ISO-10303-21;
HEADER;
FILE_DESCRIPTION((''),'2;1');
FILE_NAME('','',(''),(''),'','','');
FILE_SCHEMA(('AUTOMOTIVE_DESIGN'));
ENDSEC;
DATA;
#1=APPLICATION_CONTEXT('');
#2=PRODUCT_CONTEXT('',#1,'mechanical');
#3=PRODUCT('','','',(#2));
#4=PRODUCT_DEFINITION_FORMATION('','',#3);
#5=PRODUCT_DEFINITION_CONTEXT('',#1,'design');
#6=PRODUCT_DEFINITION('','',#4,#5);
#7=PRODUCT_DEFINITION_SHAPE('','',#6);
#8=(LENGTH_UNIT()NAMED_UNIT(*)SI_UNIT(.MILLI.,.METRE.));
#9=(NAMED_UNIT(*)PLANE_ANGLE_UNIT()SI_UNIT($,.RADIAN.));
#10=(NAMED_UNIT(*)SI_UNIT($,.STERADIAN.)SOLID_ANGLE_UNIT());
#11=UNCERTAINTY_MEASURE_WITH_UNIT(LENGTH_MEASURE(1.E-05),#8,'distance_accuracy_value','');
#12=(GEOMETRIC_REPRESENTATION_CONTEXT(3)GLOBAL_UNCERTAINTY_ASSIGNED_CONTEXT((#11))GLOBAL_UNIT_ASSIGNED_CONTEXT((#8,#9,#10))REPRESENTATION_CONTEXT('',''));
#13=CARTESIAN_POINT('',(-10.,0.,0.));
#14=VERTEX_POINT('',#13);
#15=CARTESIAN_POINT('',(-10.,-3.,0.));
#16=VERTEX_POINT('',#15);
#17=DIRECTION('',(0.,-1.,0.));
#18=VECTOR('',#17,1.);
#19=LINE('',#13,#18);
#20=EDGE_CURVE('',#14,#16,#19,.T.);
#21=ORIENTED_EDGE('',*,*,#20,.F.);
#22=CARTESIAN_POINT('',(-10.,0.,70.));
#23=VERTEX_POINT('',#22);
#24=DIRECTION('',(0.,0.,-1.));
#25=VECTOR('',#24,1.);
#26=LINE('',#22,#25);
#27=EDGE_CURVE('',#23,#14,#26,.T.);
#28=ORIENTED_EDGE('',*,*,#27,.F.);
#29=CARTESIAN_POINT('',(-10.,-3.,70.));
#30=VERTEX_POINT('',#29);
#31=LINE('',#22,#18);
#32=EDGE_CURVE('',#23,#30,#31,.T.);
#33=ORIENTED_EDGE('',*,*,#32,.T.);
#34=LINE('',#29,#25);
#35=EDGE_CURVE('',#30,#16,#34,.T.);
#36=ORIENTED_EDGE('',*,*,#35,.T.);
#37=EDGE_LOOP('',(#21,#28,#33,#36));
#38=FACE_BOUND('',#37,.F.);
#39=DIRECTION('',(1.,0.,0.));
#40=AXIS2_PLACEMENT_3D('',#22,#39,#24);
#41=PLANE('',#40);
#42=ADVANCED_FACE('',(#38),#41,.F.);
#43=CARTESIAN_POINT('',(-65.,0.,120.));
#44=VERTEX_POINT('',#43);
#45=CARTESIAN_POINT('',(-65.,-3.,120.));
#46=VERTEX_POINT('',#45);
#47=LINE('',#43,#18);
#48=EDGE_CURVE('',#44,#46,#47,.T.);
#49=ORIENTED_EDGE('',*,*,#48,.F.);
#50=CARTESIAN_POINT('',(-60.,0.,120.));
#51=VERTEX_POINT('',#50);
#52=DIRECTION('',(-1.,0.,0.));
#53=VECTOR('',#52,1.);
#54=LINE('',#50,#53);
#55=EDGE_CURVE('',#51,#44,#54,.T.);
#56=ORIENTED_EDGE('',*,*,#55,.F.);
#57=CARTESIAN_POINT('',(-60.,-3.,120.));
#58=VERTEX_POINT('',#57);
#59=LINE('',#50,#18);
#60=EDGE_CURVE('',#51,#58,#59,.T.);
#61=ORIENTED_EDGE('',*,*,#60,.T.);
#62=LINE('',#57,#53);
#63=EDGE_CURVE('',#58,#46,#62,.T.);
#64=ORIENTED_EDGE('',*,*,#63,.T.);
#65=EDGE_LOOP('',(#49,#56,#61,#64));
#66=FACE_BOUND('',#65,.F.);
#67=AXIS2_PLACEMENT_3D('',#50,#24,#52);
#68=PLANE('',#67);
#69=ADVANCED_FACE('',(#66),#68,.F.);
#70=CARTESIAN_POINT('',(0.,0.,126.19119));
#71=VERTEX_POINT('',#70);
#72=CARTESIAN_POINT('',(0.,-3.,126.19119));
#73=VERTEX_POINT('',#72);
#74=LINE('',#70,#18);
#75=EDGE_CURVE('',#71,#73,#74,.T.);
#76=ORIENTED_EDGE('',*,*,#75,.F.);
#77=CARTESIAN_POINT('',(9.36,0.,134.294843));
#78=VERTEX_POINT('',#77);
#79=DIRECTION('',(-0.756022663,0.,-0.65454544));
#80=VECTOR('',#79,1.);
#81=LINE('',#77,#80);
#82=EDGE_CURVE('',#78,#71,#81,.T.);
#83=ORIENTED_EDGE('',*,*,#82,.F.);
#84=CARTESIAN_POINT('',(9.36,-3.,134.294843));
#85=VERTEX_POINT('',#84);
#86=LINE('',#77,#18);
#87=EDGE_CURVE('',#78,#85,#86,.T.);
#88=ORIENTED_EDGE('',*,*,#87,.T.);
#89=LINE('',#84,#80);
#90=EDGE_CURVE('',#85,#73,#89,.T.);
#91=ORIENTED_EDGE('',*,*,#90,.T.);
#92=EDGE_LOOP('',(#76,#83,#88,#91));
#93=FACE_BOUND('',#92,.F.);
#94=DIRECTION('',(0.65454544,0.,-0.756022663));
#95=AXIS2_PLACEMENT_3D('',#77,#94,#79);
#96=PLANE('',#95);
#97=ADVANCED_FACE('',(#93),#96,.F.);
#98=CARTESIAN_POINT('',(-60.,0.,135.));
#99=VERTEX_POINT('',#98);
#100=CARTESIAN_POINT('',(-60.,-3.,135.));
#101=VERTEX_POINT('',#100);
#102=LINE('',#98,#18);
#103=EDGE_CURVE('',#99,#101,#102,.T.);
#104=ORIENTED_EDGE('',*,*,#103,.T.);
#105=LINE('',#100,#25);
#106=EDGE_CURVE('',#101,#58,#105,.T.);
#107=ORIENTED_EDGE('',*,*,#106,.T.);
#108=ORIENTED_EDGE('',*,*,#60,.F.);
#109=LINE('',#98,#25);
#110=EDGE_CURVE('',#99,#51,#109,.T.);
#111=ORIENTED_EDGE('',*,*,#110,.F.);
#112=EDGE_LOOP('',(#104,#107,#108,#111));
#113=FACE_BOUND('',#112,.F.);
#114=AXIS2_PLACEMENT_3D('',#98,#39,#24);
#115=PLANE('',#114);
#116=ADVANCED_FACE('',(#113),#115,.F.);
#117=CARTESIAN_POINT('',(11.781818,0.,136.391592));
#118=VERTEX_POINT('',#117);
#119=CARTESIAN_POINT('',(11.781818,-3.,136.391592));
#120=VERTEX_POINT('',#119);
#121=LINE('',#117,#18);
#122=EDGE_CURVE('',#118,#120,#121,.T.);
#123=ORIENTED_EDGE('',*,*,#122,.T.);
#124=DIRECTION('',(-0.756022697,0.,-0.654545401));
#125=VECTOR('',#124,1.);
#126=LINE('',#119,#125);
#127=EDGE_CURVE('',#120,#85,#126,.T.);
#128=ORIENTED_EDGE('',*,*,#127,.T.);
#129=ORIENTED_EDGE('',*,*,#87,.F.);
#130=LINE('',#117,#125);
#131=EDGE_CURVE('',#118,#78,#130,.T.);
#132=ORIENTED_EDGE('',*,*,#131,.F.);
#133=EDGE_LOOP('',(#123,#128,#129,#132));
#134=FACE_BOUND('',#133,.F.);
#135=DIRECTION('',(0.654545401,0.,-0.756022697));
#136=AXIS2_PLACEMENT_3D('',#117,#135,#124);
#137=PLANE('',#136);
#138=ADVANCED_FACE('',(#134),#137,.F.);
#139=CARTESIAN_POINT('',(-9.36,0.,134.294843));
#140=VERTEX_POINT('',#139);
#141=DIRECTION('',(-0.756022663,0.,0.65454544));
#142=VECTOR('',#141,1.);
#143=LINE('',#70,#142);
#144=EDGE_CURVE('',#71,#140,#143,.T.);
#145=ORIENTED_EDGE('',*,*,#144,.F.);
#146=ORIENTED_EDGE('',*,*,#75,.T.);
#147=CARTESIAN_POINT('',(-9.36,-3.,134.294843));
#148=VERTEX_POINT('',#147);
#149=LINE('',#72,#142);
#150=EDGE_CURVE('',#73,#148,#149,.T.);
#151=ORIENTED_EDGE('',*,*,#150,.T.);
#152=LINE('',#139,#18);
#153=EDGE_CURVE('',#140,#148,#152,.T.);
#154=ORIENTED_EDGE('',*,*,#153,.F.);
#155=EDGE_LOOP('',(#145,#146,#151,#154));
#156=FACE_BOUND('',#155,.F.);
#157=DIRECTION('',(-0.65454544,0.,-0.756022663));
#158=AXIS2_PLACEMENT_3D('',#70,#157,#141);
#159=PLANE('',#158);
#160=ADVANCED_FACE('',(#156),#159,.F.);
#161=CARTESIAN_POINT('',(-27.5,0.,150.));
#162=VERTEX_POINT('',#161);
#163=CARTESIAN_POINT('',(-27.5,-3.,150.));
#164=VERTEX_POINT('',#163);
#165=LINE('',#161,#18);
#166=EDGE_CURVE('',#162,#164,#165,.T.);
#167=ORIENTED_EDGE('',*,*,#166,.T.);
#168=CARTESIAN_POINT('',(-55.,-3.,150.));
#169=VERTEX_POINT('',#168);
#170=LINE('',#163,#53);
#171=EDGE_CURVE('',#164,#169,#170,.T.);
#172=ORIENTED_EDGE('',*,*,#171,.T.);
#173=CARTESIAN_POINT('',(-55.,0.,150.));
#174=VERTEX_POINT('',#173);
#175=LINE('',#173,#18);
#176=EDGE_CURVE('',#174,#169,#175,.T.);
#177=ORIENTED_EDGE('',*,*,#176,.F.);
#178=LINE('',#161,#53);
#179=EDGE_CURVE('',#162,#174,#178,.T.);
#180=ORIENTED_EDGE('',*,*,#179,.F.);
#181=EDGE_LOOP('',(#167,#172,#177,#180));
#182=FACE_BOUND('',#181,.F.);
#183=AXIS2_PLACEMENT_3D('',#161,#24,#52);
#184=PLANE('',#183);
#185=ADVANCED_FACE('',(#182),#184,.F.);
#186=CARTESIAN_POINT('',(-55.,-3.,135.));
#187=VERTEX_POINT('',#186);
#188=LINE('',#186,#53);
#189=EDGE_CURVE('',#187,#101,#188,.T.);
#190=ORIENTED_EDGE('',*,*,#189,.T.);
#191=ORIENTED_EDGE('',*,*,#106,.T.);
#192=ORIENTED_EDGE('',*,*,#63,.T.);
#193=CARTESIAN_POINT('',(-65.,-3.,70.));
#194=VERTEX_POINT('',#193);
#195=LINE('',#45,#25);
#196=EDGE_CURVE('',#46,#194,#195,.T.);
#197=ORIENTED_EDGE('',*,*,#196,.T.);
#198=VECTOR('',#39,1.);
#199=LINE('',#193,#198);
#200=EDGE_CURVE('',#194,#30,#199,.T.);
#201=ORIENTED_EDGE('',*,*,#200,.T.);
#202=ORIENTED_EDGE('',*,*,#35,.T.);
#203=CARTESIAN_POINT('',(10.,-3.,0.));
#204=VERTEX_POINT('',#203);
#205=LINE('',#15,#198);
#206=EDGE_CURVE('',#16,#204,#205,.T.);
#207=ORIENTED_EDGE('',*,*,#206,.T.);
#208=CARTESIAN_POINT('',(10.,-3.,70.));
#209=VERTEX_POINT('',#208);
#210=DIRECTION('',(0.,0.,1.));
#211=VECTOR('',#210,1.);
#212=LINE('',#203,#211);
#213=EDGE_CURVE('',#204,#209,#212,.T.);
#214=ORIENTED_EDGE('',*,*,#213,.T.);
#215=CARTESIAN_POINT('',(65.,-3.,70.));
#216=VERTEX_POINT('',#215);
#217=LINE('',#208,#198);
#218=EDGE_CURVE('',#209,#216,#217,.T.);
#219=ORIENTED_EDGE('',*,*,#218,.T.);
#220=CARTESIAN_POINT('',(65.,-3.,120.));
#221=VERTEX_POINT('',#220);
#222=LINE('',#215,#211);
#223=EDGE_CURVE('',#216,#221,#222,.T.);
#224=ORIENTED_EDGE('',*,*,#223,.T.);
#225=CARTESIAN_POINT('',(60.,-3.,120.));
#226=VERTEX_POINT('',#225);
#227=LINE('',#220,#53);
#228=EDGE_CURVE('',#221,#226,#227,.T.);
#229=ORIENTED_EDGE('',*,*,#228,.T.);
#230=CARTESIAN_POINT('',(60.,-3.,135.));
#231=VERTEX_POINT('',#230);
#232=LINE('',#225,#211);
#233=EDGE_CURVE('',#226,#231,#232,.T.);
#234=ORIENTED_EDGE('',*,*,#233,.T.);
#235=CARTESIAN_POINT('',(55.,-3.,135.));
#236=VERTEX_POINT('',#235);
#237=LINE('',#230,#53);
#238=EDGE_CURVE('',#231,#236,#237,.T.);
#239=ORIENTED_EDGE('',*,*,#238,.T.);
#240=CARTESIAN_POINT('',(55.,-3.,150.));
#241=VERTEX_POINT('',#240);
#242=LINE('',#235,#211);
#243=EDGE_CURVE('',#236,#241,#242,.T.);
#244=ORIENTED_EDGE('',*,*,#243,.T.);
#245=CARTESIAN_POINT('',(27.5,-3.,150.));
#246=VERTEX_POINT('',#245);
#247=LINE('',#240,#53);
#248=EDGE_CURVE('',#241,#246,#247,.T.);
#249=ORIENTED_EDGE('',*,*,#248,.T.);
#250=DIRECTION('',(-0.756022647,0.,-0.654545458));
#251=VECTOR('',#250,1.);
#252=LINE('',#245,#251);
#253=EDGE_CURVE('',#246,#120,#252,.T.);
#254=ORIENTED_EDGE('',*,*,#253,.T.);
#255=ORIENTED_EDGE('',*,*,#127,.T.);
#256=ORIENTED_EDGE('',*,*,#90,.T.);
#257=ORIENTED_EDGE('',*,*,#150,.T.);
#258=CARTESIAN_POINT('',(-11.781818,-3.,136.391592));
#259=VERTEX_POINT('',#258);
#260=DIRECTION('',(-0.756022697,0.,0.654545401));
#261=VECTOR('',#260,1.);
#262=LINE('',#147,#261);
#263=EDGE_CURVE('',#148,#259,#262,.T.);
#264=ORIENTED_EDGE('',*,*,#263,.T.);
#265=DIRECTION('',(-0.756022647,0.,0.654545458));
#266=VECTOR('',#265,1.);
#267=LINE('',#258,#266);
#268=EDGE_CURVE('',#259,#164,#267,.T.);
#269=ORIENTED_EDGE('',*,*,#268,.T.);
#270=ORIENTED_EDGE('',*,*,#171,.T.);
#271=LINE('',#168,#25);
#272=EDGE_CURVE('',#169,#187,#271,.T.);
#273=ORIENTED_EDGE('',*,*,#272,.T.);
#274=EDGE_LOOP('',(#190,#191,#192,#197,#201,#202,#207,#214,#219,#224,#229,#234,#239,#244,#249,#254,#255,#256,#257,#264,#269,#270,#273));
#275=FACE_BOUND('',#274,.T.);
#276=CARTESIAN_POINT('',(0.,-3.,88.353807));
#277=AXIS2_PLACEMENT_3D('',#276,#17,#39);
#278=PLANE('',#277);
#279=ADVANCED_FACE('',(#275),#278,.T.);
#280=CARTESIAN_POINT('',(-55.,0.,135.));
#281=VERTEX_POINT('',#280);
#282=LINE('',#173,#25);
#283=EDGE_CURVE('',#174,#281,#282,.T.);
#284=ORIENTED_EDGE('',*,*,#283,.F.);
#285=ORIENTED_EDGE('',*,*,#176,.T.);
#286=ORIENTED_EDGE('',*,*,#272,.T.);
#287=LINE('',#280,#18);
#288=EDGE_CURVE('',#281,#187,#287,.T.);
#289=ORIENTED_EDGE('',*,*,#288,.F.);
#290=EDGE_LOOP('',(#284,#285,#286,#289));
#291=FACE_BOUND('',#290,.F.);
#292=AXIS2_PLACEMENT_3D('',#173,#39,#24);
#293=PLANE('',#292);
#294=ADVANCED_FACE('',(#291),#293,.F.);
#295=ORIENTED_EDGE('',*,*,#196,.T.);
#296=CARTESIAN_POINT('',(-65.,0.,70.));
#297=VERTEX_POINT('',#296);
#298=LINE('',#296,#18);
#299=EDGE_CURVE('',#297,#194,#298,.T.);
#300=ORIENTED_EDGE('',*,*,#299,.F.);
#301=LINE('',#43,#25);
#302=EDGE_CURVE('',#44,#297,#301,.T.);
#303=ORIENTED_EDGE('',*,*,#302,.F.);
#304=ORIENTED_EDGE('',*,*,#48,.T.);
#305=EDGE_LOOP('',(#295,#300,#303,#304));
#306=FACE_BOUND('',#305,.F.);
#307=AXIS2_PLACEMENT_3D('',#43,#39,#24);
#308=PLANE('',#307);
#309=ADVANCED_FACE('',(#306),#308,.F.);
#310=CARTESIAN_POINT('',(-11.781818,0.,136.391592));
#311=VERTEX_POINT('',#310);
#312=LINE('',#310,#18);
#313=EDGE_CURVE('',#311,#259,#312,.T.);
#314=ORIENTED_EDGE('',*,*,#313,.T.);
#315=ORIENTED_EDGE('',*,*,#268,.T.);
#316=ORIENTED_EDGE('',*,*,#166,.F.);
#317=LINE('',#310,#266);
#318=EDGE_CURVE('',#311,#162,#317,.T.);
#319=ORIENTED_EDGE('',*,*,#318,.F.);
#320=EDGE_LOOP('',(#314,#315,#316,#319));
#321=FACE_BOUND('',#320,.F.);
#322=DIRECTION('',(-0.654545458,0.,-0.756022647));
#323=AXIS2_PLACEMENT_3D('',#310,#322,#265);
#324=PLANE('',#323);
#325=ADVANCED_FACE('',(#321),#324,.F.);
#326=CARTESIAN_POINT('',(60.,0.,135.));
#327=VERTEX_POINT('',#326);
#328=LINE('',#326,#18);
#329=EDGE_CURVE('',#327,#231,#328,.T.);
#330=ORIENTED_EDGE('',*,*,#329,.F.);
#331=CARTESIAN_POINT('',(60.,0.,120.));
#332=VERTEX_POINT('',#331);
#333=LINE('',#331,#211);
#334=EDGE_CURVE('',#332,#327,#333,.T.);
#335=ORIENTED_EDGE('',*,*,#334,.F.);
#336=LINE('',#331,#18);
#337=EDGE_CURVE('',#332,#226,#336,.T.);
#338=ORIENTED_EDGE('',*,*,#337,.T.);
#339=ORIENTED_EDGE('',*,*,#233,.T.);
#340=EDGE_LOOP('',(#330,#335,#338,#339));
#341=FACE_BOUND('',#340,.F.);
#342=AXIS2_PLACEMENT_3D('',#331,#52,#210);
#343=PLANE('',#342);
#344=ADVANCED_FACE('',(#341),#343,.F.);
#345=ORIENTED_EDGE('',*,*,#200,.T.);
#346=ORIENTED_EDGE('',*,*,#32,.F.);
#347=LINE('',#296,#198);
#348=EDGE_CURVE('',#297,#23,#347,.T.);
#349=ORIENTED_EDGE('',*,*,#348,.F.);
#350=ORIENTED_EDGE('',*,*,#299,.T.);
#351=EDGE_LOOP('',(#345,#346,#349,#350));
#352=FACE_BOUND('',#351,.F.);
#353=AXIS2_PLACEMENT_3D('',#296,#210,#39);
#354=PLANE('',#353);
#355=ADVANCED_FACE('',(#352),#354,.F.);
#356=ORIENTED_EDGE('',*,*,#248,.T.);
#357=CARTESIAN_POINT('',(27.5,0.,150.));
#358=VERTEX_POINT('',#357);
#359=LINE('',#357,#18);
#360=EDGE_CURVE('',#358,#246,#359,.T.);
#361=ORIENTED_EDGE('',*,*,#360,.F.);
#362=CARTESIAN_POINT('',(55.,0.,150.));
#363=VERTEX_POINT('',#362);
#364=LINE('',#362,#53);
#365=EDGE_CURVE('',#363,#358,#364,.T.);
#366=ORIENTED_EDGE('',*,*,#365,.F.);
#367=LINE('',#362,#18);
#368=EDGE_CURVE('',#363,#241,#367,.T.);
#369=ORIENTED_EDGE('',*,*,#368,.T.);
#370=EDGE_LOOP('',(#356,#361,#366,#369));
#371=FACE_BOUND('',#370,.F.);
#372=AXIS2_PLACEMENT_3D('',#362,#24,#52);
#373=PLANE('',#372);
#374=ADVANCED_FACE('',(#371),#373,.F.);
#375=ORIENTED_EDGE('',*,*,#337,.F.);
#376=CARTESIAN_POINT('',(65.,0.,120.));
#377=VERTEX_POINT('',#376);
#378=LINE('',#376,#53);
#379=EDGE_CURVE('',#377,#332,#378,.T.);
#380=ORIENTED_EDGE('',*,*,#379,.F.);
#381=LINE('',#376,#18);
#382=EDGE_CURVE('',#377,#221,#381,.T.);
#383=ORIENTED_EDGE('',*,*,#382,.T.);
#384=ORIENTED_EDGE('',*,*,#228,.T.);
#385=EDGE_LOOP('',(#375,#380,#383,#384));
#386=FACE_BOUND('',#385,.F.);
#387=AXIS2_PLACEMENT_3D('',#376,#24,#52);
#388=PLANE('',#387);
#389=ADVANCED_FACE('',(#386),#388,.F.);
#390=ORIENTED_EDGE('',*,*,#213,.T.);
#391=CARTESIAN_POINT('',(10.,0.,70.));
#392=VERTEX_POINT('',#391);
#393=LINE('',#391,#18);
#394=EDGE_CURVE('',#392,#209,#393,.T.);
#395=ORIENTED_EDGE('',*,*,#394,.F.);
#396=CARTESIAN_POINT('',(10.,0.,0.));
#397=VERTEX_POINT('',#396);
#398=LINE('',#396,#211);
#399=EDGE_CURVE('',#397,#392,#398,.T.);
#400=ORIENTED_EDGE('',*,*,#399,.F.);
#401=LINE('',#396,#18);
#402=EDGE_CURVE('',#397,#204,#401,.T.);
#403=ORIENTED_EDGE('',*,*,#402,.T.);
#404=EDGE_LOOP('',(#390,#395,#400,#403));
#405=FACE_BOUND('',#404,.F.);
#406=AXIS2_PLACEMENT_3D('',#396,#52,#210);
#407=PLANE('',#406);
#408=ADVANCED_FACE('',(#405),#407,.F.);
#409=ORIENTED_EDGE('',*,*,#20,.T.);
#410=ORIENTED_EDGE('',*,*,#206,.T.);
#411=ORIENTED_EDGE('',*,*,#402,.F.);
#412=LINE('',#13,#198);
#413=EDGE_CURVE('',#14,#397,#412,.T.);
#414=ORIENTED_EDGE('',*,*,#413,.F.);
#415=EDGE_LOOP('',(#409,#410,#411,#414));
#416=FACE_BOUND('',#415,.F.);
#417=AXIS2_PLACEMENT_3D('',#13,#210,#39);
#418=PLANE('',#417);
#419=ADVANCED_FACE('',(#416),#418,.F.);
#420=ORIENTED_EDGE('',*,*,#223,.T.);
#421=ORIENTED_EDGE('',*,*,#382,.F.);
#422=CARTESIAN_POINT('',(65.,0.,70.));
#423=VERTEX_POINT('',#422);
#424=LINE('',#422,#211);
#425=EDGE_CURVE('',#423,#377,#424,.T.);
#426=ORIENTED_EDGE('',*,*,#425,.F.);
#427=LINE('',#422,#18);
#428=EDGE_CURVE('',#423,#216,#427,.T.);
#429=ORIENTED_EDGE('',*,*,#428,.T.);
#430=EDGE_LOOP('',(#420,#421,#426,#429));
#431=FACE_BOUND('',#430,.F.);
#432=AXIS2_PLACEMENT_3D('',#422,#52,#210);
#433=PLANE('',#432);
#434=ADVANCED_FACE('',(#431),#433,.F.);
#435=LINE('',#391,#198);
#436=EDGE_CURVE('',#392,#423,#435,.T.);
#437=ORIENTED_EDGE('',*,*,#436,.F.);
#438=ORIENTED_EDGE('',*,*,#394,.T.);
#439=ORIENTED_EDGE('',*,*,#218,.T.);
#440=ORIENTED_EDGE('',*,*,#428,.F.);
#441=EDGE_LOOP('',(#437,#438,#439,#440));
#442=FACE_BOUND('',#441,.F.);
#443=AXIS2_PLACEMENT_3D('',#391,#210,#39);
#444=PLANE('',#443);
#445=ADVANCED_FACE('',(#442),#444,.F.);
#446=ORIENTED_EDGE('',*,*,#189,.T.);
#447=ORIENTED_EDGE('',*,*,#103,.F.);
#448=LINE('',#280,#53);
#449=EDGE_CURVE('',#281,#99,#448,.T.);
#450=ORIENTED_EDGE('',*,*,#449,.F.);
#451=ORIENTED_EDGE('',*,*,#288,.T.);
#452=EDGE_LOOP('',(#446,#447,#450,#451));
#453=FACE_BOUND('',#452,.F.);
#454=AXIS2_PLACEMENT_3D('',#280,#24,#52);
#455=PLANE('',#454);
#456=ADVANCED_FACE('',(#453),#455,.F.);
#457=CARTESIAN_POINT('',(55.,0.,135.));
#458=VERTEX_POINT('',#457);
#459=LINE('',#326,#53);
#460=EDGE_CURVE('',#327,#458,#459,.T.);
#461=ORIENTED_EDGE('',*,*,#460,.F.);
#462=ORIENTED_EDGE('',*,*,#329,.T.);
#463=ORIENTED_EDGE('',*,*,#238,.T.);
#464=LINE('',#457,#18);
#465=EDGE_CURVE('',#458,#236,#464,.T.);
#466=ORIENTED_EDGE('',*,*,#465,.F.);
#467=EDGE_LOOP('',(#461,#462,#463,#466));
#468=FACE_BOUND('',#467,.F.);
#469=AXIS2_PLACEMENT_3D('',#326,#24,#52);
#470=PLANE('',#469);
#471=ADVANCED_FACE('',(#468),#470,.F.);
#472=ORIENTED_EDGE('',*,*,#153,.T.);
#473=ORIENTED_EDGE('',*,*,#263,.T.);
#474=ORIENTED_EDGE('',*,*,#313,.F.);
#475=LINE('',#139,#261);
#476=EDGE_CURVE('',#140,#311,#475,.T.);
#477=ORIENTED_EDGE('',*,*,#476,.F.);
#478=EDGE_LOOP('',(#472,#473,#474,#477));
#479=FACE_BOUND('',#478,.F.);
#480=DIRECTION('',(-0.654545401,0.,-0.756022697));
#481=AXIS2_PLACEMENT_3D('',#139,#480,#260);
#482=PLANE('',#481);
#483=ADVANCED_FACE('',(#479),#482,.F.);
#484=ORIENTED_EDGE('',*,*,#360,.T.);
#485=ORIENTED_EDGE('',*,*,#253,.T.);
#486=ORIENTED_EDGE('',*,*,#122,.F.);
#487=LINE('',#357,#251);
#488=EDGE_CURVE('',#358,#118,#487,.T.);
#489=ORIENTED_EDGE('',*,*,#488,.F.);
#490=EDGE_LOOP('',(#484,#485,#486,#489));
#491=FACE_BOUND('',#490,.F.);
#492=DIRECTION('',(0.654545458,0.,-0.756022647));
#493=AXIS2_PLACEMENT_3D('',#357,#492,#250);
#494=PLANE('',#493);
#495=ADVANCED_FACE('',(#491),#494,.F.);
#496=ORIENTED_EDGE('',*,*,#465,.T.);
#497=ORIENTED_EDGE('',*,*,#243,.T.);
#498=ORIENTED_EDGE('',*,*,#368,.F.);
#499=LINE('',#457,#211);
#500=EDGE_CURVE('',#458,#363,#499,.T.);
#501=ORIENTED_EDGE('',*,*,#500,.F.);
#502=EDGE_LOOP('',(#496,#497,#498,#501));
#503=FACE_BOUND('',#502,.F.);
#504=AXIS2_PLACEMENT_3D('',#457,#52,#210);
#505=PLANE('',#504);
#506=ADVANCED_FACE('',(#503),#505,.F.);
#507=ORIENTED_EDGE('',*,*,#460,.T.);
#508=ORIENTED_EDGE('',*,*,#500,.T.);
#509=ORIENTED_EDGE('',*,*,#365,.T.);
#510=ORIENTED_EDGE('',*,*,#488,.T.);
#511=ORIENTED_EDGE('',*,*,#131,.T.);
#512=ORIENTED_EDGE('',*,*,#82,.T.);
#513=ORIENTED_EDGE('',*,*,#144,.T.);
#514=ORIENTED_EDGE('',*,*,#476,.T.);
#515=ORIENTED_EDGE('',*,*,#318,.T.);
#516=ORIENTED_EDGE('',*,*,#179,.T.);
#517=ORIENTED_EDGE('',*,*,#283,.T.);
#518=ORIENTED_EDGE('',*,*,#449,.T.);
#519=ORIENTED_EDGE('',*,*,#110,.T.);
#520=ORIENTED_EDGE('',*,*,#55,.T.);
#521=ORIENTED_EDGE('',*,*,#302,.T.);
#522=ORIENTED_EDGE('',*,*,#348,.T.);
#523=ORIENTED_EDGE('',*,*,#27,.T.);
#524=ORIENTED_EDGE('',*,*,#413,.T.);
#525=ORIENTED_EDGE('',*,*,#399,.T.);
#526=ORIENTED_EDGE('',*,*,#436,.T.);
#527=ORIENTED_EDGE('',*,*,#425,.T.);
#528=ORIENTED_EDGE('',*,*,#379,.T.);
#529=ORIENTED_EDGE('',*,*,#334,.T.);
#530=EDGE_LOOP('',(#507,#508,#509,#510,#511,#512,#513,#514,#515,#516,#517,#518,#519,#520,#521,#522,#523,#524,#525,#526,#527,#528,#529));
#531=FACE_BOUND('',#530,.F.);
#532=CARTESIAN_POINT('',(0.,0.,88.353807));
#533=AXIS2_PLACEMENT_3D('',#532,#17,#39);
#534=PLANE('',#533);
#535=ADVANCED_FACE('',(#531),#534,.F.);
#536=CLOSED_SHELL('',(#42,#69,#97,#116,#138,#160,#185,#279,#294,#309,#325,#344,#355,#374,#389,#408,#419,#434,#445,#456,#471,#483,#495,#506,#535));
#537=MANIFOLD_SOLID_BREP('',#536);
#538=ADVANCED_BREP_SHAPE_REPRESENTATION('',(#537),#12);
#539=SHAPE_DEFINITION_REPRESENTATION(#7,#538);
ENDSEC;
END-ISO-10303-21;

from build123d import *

# Parameters (mm, degrees)
F1_DEPTH = 3


with BuildPart() as f1:
    # F0 (on Front) → F1 (new body)
    with BuildSketch(Plane.XZ):
        Polygon((-55, 150), (-55, 135), (-60, 135), (-60, 120), (-65, 120), (-65, 70), (-10, 70), (-10, 0), (0, 0), (10, 0), (10, 70), (65, 70), (65, 120), (60, 120), (60, 135), (55, 135), (55, 150), (27.5, 150), (11.781818, 136.391592), (9.36, 134.294843), (0, 126.19119), (-9.36, 134.294843), (-11.781818, 136.391592), (-27.5, 150), align=None)
    extrude(amount=F1_DEPTH)


solid = f1.part
